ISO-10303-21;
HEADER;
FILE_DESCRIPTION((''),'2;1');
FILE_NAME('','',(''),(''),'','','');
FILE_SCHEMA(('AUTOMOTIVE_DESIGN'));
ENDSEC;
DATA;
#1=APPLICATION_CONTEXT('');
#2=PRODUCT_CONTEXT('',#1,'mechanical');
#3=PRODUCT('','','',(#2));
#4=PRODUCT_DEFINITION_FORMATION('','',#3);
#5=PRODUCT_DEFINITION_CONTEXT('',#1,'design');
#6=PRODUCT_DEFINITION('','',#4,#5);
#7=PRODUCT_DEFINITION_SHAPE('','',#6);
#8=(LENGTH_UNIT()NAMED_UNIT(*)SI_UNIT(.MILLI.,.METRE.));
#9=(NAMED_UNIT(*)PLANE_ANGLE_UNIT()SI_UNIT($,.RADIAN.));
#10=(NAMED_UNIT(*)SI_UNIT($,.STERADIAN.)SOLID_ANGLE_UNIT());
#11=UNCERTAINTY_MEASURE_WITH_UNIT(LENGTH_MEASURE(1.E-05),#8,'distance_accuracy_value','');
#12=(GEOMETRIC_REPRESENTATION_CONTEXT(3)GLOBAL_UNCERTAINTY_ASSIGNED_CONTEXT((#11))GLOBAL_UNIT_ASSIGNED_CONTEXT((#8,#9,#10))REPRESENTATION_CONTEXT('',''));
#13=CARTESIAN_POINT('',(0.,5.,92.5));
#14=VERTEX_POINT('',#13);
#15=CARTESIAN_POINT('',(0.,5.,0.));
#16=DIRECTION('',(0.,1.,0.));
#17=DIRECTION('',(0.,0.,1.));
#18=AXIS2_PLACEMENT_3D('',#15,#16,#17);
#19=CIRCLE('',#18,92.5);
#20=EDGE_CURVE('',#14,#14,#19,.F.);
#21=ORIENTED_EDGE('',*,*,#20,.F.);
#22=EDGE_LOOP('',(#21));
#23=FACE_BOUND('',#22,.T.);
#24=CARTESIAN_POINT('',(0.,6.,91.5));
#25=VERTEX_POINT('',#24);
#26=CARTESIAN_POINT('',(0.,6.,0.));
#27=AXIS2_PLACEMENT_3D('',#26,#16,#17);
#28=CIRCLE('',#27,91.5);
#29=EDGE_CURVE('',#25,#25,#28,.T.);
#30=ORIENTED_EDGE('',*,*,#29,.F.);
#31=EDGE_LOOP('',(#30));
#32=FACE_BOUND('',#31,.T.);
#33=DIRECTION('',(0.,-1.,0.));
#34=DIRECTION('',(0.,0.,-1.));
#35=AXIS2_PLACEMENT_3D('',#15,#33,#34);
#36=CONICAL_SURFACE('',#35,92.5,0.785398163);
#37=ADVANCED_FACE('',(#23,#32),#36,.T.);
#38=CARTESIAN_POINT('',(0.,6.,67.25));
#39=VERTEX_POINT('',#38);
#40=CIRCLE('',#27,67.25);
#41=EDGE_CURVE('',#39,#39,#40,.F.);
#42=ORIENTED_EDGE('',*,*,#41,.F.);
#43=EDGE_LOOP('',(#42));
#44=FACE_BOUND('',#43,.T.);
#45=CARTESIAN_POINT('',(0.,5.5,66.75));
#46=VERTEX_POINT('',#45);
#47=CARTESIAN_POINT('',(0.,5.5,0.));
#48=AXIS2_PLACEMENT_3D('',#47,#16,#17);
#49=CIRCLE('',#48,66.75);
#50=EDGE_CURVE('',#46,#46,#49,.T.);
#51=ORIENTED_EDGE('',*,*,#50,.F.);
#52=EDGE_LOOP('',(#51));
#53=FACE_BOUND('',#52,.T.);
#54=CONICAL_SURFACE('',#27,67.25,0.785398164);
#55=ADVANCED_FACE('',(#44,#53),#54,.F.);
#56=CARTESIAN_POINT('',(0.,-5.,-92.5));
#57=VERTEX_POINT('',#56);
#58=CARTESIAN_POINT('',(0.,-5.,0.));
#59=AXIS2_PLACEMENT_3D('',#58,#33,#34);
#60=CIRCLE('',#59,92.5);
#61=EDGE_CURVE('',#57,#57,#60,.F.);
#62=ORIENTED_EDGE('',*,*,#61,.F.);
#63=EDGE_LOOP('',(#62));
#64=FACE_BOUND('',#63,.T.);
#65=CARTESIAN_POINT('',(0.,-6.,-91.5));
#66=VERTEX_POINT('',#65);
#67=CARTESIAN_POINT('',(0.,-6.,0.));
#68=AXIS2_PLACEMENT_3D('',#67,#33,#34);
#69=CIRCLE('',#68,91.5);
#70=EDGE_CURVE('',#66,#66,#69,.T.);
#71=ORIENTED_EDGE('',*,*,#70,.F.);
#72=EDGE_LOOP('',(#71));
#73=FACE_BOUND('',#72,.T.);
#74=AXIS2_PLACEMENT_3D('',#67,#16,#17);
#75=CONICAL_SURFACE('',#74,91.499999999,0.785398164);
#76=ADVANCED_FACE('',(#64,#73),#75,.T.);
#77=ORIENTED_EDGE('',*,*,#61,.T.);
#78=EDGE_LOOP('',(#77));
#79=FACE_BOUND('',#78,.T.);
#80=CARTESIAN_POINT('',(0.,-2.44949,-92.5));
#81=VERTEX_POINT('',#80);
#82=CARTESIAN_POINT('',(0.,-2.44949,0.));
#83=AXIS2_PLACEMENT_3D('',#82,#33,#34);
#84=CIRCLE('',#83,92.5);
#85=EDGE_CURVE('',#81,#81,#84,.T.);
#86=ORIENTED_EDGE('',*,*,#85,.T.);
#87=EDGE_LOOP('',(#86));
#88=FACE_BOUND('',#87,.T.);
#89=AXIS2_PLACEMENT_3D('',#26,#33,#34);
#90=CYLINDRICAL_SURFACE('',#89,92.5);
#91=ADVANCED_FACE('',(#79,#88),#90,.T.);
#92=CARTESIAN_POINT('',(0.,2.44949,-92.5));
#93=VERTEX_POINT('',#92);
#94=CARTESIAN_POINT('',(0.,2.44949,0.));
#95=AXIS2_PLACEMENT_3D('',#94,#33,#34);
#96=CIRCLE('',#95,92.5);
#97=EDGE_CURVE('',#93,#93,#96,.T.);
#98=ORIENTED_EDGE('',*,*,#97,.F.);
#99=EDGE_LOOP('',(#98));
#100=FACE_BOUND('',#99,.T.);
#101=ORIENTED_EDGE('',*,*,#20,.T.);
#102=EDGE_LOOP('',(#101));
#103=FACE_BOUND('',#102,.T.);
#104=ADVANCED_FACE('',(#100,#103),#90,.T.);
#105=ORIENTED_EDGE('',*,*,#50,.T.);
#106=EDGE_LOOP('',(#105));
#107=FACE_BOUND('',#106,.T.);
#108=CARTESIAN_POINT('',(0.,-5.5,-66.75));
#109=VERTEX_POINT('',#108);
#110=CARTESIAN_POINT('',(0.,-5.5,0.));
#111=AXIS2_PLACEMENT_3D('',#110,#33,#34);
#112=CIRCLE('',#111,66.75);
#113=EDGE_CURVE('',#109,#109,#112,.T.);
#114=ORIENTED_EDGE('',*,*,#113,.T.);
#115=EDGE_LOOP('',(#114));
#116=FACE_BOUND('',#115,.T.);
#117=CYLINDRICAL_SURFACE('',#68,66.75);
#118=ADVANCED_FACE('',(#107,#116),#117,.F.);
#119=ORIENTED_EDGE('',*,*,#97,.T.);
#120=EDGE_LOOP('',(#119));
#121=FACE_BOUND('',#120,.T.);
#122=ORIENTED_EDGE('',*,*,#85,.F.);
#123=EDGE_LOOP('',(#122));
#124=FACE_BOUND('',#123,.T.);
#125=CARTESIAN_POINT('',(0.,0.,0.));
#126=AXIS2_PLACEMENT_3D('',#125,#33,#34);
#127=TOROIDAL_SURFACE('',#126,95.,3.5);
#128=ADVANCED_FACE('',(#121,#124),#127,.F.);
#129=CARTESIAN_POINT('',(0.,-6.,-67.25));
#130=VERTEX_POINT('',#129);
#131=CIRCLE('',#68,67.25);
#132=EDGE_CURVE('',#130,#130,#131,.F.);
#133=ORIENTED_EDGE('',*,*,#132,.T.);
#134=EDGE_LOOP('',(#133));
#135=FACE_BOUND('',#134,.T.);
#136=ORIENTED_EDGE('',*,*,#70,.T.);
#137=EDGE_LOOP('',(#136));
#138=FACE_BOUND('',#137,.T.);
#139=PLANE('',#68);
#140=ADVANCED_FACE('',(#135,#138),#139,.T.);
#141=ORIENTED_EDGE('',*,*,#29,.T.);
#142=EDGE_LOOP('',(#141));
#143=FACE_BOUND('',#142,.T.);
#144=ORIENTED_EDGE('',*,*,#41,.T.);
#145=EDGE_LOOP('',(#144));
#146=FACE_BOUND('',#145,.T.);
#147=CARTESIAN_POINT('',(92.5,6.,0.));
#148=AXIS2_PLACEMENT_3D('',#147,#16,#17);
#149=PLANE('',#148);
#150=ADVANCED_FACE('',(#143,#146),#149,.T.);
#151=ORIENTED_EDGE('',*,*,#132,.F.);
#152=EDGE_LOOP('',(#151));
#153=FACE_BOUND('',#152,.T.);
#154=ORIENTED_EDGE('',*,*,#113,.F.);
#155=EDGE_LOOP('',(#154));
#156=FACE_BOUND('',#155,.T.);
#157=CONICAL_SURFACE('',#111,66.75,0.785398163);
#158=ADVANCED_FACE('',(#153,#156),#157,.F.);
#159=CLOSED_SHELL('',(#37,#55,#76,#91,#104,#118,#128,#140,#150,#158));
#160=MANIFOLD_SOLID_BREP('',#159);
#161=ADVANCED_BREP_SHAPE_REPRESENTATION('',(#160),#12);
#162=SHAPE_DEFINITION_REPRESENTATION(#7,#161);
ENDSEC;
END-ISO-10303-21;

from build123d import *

# Parameters (mm, degrees)
HOLE_WIZARD_2_D = 133.5
CHAMFER_1_SIZE  = 0.5
CHAMFER_2_SIZE2 = 1.000000001
CHAMFER_2_SIZE  = 0.999999999


with BuildPart() as part:
    # 草圖1 → 旋轉1 (revolve)
    with BuildSketch(Plane.XY, mode=Mode.PRIVATE) as revolve_1_sk:
        with BuildLine():
            Line((92.5, 6), (0, 6))
            Line((0, 6), (0, -6))
            Line((0, -6), (92.5, -6))
            Line((92.5, -6), (92.5, -2.449489743))
            ThreePointArc((92.5, -2.449489743), (91.5, 0), (92.5, 2.449489743))
            Line((92.5, 2.449489743), (92.5, 6))
        make_face()
    revolve(revolve_1_sk.sketch.rotate(Axis((0, 6, 0), (0, -1, 0)), 270), axis=Axis((0, 6, 0), (0, -1, 0)))

    # 鑽孔2 (through all)
    with Locations(Plane(origin=(0, -6, 0), x_dir=(-1, 0, 0), z_dir=(0, -1, 0))):
        with Locations((0, 0)):
            Hole(HOLE_WIZARD_2_D / 2)

    # 導角1
    chamfer_1_edges = [part.edges().sort_by_distance(p)[0] for p in [
        (-66.75, -6, 0),
        (-66.75, 6, 0),
    ]]
    chamfer(chamfer_1_edges, length=CHAMFER_1_SIZE)

    # 導角2
    chamfer_2_edges = [part.edges().sort_by_distance(p)[0] for p in [
        (0, 6, 92.5),
        (0, -6, 92.5),
    ]]
    chamfer(chamfer_2_edges, length=CHAMFER_2_SIZE, length2=CHAMFER_2_SIZE2)


solid = part.part
